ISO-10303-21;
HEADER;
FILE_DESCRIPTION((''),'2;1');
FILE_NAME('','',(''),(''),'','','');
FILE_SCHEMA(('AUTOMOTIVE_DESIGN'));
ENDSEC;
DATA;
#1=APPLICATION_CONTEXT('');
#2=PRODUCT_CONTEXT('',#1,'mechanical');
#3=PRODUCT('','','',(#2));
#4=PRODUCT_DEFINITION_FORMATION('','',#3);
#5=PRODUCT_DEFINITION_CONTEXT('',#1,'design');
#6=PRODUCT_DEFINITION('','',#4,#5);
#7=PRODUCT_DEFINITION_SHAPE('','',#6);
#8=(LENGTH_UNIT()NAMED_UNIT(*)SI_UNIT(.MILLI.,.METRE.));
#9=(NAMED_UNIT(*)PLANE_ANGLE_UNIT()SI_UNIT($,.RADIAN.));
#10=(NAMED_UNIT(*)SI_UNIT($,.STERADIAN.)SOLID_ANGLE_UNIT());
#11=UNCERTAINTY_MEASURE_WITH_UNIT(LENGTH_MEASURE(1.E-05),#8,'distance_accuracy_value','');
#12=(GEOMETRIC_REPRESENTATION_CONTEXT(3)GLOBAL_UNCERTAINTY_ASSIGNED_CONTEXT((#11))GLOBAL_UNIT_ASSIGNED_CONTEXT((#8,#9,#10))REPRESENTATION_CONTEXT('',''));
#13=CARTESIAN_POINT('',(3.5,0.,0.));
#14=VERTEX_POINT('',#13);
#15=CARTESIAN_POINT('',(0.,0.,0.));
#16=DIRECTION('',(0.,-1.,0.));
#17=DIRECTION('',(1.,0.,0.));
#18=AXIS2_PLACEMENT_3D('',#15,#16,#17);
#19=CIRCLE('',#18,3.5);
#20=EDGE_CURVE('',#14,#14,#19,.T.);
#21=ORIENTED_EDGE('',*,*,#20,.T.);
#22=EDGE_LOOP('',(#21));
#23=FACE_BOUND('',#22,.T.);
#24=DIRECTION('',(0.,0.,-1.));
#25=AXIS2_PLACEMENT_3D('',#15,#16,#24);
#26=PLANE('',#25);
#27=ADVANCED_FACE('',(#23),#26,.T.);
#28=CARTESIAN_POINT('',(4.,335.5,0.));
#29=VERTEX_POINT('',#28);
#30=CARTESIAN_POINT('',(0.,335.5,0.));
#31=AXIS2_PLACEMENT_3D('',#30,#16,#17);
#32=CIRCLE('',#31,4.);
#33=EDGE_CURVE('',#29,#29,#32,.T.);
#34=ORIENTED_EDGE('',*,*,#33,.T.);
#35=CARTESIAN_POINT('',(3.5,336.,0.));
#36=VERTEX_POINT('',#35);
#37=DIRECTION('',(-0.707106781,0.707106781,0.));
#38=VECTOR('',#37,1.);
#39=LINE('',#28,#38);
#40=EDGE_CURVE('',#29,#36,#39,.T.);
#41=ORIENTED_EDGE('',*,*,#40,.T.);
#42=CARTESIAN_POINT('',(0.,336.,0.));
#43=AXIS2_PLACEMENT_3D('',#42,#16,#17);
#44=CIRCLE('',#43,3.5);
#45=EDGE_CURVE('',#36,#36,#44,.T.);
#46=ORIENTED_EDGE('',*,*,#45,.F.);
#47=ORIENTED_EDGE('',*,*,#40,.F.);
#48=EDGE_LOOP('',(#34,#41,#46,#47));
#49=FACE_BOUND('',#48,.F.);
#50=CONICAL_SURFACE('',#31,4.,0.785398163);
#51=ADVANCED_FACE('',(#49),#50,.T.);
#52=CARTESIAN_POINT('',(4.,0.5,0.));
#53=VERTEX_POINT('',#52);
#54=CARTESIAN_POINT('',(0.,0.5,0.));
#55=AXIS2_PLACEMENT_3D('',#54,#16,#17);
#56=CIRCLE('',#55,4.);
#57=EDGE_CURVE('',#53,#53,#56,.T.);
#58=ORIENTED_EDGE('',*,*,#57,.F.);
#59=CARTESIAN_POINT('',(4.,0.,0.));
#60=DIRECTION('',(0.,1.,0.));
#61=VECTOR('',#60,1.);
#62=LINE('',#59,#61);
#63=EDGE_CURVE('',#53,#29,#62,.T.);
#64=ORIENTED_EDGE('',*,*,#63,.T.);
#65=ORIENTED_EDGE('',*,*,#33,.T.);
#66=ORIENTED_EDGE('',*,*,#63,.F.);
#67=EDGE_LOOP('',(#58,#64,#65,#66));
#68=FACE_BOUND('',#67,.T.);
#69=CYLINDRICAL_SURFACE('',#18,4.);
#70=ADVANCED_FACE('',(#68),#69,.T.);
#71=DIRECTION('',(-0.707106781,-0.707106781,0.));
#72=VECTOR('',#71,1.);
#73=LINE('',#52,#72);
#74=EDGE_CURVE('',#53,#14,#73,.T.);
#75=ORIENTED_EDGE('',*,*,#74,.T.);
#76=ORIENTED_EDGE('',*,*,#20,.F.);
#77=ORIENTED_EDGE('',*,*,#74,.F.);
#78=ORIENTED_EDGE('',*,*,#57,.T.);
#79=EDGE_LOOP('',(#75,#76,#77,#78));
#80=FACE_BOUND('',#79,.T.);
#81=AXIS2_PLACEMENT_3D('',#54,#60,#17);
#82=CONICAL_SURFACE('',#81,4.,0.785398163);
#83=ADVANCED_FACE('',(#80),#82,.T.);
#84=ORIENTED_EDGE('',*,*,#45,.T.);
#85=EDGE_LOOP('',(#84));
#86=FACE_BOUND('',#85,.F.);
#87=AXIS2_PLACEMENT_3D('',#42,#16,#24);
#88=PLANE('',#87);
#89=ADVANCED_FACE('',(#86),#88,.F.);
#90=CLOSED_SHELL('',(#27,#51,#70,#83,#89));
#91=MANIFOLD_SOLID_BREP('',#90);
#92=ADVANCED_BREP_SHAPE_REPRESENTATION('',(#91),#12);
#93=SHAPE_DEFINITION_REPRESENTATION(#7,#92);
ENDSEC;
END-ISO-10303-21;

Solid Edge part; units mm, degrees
sketch "Sketch1" plane through (0, 0, 0) normal (0, -1, 0) x (1, 0, 0)
  circle A0 centre (0, 0) radius 4
extrude "Protrusion1" add sketch "Sketch1" against normal blind 336
chamfer "Chamfer_1" distance 0.5 angle 45 2 edges at (-4, 0, 0) (-4, 336, 0)
